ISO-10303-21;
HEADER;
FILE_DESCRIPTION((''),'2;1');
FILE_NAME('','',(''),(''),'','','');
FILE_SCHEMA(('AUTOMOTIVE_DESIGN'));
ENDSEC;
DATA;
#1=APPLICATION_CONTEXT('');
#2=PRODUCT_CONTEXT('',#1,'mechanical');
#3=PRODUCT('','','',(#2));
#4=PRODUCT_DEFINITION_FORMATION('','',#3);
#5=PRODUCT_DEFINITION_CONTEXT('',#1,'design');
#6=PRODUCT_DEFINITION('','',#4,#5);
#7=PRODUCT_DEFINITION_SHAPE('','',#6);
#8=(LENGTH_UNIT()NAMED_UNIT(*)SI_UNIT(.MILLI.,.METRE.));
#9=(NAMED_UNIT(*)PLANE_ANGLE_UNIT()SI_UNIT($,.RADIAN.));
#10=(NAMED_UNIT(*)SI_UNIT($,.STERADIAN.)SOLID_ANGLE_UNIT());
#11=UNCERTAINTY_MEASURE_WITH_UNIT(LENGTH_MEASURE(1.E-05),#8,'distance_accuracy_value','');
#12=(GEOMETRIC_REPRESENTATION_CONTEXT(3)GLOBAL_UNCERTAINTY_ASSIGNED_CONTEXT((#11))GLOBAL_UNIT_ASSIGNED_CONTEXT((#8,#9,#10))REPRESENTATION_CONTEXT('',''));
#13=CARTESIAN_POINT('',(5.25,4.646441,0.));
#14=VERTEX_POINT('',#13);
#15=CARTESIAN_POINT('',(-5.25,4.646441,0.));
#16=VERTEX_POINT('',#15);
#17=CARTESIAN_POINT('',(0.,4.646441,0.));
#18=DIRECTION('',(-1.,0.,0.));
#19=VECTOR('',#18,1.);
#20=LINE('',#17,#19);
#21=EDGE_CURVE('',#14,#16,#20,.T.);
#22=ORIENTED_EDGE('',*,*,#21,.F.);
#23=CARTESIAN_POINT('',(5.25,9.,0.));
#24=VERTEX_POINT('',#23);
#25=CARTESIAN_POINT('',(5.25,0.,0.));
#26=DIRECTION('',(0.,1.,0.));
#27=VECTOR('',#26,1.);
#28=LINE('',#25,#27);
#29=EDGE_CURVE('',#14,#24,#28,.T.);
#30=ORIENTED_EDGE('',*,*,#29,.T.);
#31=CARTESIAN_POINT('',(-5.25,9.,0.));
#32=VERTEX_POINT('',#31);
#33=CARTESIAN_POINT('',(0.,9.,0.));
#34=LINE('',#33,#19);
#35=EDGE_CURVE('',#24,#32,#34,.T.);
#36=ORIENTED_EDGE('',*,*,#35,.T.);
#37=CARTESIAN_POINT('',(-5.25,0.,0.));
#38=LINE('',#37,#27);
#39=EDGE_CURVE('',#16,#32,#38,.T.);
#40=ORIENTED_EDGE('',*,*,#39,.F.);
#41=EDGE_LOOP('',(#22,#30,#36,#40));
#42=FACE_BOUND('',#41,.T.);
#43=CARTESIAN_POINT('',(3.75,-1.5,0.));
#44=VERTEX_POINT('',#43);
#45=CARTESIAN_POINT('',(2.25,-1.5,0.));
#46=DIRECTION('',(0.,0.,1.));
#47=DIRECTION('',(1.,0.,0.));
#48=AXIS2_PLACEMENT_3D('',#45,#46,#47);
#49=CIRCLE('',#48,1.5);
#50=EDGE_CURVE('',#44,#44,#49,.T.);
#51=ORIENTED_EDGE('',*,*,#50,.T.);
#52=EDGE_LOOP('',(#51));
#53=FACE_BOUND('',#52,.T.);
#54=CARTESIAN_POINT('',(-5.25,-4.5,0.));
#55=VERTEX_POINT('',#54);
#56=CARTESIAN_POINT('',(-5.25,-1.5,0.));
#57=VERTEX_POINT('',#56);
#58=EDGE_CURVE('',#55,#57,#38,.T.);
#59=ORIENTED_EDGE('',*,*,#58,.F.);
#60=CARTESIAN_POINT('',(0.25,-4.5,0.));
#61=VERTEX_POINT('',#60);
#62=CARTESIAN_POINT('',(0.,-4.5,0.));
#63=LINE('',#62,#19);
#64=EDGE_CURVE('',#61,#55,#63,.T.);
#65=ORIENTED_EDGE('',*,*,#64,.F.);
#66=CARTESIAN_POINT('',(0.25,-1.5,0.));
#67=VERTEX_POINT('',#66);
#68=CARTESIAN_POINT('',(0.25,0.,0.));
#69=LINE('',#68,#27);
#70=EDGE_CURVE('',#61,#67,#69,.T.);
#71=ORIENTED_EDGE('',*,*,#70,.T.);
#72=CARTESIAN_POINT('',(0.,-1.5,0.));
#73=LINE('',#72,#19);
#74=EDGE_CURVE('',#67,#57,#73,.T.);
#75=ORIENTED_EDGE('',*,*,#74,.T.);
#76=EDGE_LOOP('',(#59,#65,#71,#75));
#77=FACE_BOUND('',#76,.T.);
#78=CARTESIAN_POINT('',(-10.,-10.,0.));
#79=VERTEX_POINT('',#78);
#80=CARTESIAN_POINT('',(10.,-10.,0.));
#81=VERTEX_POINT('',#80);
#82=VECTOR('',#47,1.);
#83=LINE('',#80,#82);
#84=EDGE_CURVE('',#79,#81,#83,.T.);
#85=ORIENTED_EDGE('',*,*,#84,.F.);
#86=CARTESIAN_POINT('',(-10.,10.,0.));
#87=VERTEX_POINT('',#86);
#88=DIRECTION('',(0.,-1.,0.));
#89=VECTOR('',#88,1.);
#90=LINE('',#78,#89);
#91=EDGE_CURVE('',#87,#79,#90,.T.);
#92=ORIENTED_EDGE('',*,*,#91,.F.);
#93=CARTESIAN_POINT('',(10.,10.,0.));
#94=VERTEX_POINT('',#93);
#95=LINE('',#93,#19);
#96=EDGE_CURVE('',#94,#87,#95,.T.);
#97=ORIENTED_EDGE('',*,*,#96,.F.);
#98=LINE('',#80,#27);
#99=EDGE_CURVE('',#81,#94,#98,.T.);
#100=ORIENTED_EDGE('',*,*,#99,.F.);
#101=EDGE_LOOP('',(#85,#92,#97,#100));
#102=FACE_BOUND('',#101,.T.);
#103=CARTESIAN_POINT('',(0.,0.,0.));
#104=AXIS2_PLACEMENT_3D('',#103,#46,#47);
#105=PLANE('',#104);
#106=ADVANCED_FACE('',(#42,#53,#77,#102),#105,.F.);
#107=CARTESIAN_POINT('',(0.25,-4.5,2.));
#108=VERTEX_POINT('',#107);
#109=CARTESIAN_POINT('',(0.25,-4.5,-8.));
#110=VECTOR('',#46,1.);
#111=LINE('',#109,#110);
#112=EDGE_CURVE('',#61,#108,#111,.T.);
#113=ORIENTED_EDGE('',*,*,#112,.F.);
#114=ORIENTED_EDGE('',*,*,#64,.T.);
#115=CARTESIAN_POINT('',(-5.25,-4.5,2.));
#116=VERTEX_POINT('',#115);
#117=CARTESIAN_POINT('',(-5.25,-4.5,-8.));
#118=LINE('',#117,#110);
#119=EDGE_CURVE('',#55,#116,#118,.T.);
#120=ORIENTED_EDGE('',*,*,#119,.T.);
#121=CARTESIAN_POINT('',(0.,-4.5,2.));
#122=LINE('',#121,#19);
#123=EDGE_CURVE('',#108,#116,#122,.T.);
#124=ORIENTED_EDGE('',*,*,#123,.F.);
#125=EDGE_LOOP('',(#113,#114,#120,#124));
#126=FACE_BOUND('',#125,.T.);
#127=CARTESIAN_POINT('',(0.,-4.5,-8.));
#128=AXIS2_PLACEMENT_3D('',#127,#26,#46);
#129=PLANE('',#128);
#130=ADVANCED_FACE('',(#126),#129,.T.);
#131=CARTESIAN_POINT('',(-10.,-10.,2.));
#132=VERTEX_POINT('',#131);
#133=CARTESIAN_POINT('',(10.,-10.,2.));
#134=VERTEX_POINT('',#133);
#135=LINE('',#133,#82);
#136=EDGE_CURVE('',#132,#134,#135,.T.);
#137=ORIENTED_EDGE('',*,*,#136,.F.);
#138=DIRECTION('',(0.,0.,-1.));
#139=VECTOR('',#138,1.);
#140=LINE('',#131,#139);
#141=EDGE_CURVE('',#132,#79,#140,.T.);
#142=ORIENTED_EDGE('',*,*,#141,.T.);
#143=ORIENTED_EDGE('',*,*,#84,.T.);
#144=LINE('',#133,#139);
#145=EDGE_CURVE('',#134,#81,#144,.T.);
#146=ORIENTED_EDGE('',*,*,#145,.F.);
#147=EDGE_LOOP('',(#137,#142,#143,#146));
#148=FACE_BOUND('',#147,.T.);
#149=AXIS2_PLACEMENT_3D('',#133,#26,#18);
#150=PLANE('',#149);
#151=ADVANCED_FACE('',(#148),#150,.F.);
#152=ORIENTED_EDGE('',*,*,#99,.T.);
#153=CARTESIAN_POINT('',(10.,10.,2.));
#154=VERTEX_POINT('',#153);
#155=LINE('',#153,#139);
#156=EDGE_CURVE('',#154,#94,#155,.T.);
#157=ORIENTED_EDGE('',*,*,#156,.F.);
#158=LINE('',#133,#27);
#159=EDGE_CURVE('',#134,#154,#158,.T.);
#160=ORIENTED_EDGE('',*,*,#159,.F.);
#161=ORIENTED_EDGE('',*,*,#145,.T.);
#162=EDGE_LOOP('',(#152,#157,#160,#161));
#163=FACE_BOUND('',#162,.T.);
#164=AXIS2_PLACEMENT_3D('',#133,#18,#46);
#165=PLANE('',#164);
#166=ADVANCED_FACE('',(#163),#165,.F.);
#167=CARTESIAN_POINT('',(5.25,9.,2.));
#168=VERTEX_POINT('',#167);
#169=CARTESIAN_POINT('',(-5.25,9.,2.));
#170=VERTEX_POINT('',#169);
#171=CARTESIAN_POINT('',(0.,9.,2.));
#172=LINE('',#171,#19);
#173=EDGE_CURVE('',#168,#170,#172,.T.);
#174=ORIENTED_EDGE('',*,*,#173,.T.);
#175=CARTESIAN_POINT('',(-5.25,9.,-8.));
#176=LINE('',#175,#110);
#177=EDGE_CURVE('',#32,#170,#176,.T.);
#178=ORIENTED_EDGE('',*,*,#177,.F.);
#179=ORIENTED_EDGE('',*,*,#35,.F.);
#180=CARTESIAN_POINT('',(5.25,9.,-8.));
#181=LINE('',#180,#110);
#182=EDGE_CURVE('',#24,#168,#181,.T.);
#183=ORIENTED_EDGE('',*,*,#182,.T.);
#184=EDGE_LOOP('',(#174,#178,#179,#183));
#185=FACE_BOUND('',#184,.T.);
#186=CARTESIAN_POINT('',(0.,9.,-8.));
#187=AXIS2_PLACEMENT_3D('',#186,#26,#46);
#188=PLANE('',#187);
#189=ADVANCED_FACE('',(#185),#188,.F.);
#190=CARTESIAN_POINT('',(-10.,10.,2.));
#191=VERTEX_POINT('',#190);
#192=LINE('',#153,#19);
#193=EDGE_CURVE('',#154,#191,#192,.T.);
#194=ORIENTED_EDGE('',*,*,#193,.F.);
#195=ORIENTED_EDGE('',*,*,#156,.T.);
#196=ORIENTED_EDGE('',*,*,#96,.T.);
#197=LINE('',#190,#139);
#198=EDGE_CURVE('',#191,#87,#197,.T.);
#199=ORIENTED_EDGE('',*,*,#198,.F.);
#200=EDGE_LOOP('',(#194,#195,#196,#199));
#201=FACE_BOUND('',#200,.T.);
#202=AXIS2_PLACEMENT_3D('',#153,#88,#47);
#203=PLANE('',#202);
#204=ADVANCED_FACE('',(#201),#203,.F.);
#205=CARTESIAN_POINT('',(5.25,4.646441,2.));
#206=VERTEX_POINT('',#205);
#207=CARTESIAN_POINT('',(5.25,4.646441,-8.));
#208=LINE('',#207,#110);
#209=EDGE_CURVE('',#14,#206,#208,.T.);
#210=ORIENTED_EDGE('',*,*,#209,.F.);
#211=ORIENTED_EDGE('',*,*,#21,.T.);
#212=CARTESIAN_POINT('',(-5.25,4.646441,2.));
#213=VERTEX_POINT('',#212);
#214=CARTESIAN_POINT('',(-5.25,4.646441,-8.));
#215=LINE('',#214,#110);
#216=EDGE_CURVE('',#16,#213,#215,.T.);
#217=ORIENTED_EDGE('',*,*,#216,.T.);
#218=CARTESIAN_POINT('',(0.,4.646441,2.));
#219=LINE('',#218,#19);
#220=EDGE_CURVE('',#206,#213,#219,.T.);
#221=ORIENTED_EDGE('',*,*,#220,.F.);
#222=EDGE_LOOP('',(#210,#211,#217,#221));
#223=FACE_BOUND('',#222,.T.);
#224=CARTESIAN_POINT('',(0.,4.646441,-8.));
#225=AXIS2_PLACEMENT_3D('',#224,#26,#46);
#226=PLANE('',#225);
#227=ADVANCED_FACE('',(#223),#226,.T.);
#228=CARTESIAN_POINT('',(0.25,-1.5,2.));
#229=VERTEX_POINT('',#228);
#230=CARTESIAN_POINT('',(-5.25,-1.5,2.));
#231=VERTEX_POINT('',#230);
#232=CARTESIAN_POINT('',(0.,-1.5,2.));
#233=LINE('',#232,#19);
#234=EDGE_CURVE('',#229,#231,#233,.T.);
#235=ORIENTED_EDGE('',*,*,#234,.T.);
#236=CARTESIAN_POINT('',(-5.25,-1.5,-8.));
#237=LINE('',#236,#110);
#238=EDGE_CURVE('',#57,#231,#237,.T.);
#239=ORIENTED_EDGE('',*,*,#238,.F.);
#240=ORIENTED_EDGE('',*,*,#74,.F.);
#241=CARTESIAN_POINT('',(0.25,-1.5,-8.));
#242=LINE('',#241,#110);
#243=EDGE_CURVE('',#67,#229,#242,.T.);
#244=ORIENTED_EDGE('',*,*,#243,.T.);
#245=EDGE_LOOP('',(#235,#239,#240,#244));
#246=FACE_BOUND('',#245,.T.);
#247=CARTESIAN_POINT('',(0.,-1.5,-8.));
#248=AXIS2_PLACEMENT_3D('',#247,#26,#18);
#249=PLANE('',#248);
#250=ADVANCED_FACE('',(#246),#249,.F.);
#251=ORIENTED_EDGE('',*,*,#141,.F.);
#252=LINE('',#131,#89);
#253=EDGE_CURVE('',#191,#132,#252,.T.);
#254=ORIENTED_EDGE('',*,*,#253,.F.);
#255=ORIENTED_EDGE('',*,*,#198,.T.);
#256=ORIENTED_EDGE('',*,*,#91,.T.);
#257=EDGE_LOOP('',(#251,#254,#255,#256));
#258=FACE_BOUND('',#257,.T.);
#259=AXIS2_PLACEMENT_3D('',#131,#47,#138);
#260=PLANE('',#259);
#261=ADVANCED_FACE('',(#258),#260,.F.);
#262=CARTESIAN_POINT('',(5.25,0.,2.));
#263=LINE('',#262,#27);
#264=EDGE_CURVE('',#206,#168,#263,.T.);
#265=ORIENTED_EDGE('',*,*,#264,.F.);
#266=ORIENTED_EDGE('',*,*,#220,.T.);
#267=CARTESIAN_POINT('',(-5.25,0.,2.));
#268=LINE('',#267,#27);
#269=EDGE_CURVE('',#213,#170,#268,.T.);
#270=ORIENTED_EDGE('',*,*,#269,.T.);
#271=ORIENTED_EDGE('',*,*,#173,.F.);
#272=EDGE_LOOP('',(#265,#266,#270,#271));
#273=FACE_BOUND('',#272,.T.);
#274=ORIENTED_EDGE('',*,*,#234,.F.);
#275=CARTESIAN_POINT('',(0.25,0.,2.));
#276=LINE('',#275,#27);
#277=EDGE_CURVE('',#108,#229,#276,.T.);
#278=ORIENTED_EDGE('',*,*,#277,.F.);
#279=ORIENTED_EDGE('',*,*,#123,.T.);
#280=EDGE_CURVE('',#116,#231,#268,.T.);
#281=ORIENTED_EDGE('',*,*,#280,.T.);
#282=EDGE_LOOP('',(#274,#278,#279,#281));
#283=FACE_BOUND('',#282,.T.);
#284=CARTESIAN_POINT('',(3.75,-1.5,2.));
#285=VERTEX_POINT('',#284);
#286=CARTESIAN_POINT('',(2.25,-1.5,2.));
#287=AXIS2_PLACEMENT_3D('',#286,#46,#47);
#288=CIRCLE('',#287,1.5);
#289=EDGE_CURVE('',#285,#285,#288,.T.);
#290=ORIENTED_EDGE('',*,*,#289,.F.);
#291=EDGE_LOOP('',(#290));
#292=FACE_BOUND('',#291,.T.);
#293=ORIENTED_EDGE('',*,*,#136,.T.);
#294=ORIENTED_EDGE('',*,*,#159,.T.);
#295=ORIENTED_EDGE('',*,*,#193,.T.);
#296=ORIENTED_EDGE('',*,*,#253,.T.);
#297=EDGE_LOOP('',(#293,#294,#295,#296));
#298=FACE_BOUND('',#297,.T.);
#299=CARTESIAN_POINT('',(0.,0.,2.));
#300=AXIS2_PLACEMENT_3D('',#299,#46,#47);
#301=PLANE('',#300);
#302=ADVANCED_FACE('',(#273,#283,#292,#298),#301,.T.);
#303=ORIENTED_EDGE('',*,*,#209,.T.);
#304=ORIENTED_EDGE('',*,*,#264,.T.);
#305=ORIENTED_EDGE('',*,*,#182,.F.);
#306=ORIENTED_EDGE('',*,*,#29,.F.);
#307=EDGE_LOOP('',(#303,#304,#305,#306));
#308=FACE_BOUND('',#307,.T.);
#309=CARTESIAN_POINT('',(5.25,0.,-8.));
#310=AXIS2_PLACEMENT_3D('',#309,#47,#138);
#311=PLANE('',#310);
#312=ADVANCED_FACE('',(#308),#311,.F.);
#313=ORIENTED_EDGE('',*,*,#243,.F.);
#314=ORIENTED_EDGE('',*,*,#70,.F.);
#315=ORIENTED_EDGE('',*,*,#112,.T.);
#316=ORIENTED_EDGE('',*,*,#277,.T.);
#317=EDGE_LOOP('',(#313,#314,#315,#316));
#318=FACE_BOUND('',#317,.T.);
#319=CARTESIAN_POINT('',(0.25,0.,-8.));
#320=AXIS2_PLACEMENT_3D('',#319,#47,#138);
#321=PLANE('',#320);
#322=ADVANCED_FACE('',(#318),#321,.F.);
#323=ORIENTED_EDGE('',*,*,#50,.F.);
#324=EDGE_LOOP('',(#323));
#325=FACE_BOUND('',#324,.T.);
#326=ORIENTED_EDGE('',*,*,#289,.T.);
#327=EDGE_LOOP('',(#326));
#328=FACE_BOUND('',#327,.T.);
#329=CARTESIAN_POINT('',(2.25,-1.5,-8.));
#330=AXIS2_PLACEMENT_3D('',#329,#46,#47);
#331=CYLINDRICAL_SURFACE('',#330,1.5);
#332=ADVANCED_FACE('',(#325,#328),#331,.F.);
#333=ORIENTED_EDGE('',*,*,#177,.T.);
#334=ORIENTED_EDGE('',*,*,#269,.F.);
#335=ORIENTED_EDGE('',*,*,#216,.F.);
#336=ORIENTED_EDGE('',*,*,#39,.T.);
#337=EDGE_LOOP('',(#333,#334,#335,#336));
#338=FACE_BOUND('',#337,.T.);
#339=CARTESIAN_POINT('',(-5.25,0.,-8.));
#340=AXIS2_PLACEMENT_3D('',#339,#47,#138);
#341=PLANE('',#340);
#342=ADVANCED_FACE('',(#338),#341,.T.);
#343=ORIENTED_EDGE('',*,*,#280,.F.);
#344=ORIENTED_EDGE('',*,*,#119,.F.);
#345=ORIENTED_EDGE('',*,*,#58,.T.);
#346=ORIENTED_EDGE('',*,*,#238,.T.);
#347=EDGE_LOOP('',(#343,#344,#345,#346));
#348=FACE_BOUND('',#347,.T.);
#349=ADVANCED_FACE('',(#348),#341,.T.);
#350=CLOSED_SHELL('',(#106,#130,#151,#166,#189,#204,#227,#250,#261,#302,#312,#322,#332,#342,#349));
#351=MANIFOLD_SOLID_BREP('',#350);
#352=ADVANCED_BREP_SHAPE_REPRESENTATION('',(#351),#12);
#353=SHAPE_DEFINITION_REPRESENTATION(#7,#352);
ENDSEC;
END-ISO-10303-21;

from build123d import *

# Parameters (mm, degrees)
SKETCH1_W           = 20
SKETCH1_H           = 20
BOSS_EXTRUDE1_DEPTH = 2
SKETCH2_W           = 10.5
SKETCH2_H           = 4.353558907
SKETCH2_W_2         = 5.5
SKETCH2_H_2         = 3
SKETCH2_R           = 1.5
CUT_EXTRUDE1_DEPTH  = 10


with BuildPart() as part:
    # Sketch1 → Boss-Extrude1 (new body)
    with BuildSketch(Plane.XY):
        Rectangle(SKETCH1_W, SKETCH1_H)
    extrude(amount=BOSS_EXTRUDE1_DEPTH)

    # Sketch2 → Cut-Extrude1 (cut)
    with BuildSketch(Plane.XY.offset(2)):
        with Locations((0, 6.823220546)):
            Rectangle(SKETCH2_W, SKETCH2_H)
        with Locations((-2.5, -3)):
            Rectangle(SKETCH2_W_2, SKETCH2_H_2)
        with Locations((2.25, -1.5)):
            Circle(SKETCH2_R)
    extrude(amount=-CUT_EXTRUDE1_DEPTH, mode=Mode.SUBTRACT)


solid = part.part
